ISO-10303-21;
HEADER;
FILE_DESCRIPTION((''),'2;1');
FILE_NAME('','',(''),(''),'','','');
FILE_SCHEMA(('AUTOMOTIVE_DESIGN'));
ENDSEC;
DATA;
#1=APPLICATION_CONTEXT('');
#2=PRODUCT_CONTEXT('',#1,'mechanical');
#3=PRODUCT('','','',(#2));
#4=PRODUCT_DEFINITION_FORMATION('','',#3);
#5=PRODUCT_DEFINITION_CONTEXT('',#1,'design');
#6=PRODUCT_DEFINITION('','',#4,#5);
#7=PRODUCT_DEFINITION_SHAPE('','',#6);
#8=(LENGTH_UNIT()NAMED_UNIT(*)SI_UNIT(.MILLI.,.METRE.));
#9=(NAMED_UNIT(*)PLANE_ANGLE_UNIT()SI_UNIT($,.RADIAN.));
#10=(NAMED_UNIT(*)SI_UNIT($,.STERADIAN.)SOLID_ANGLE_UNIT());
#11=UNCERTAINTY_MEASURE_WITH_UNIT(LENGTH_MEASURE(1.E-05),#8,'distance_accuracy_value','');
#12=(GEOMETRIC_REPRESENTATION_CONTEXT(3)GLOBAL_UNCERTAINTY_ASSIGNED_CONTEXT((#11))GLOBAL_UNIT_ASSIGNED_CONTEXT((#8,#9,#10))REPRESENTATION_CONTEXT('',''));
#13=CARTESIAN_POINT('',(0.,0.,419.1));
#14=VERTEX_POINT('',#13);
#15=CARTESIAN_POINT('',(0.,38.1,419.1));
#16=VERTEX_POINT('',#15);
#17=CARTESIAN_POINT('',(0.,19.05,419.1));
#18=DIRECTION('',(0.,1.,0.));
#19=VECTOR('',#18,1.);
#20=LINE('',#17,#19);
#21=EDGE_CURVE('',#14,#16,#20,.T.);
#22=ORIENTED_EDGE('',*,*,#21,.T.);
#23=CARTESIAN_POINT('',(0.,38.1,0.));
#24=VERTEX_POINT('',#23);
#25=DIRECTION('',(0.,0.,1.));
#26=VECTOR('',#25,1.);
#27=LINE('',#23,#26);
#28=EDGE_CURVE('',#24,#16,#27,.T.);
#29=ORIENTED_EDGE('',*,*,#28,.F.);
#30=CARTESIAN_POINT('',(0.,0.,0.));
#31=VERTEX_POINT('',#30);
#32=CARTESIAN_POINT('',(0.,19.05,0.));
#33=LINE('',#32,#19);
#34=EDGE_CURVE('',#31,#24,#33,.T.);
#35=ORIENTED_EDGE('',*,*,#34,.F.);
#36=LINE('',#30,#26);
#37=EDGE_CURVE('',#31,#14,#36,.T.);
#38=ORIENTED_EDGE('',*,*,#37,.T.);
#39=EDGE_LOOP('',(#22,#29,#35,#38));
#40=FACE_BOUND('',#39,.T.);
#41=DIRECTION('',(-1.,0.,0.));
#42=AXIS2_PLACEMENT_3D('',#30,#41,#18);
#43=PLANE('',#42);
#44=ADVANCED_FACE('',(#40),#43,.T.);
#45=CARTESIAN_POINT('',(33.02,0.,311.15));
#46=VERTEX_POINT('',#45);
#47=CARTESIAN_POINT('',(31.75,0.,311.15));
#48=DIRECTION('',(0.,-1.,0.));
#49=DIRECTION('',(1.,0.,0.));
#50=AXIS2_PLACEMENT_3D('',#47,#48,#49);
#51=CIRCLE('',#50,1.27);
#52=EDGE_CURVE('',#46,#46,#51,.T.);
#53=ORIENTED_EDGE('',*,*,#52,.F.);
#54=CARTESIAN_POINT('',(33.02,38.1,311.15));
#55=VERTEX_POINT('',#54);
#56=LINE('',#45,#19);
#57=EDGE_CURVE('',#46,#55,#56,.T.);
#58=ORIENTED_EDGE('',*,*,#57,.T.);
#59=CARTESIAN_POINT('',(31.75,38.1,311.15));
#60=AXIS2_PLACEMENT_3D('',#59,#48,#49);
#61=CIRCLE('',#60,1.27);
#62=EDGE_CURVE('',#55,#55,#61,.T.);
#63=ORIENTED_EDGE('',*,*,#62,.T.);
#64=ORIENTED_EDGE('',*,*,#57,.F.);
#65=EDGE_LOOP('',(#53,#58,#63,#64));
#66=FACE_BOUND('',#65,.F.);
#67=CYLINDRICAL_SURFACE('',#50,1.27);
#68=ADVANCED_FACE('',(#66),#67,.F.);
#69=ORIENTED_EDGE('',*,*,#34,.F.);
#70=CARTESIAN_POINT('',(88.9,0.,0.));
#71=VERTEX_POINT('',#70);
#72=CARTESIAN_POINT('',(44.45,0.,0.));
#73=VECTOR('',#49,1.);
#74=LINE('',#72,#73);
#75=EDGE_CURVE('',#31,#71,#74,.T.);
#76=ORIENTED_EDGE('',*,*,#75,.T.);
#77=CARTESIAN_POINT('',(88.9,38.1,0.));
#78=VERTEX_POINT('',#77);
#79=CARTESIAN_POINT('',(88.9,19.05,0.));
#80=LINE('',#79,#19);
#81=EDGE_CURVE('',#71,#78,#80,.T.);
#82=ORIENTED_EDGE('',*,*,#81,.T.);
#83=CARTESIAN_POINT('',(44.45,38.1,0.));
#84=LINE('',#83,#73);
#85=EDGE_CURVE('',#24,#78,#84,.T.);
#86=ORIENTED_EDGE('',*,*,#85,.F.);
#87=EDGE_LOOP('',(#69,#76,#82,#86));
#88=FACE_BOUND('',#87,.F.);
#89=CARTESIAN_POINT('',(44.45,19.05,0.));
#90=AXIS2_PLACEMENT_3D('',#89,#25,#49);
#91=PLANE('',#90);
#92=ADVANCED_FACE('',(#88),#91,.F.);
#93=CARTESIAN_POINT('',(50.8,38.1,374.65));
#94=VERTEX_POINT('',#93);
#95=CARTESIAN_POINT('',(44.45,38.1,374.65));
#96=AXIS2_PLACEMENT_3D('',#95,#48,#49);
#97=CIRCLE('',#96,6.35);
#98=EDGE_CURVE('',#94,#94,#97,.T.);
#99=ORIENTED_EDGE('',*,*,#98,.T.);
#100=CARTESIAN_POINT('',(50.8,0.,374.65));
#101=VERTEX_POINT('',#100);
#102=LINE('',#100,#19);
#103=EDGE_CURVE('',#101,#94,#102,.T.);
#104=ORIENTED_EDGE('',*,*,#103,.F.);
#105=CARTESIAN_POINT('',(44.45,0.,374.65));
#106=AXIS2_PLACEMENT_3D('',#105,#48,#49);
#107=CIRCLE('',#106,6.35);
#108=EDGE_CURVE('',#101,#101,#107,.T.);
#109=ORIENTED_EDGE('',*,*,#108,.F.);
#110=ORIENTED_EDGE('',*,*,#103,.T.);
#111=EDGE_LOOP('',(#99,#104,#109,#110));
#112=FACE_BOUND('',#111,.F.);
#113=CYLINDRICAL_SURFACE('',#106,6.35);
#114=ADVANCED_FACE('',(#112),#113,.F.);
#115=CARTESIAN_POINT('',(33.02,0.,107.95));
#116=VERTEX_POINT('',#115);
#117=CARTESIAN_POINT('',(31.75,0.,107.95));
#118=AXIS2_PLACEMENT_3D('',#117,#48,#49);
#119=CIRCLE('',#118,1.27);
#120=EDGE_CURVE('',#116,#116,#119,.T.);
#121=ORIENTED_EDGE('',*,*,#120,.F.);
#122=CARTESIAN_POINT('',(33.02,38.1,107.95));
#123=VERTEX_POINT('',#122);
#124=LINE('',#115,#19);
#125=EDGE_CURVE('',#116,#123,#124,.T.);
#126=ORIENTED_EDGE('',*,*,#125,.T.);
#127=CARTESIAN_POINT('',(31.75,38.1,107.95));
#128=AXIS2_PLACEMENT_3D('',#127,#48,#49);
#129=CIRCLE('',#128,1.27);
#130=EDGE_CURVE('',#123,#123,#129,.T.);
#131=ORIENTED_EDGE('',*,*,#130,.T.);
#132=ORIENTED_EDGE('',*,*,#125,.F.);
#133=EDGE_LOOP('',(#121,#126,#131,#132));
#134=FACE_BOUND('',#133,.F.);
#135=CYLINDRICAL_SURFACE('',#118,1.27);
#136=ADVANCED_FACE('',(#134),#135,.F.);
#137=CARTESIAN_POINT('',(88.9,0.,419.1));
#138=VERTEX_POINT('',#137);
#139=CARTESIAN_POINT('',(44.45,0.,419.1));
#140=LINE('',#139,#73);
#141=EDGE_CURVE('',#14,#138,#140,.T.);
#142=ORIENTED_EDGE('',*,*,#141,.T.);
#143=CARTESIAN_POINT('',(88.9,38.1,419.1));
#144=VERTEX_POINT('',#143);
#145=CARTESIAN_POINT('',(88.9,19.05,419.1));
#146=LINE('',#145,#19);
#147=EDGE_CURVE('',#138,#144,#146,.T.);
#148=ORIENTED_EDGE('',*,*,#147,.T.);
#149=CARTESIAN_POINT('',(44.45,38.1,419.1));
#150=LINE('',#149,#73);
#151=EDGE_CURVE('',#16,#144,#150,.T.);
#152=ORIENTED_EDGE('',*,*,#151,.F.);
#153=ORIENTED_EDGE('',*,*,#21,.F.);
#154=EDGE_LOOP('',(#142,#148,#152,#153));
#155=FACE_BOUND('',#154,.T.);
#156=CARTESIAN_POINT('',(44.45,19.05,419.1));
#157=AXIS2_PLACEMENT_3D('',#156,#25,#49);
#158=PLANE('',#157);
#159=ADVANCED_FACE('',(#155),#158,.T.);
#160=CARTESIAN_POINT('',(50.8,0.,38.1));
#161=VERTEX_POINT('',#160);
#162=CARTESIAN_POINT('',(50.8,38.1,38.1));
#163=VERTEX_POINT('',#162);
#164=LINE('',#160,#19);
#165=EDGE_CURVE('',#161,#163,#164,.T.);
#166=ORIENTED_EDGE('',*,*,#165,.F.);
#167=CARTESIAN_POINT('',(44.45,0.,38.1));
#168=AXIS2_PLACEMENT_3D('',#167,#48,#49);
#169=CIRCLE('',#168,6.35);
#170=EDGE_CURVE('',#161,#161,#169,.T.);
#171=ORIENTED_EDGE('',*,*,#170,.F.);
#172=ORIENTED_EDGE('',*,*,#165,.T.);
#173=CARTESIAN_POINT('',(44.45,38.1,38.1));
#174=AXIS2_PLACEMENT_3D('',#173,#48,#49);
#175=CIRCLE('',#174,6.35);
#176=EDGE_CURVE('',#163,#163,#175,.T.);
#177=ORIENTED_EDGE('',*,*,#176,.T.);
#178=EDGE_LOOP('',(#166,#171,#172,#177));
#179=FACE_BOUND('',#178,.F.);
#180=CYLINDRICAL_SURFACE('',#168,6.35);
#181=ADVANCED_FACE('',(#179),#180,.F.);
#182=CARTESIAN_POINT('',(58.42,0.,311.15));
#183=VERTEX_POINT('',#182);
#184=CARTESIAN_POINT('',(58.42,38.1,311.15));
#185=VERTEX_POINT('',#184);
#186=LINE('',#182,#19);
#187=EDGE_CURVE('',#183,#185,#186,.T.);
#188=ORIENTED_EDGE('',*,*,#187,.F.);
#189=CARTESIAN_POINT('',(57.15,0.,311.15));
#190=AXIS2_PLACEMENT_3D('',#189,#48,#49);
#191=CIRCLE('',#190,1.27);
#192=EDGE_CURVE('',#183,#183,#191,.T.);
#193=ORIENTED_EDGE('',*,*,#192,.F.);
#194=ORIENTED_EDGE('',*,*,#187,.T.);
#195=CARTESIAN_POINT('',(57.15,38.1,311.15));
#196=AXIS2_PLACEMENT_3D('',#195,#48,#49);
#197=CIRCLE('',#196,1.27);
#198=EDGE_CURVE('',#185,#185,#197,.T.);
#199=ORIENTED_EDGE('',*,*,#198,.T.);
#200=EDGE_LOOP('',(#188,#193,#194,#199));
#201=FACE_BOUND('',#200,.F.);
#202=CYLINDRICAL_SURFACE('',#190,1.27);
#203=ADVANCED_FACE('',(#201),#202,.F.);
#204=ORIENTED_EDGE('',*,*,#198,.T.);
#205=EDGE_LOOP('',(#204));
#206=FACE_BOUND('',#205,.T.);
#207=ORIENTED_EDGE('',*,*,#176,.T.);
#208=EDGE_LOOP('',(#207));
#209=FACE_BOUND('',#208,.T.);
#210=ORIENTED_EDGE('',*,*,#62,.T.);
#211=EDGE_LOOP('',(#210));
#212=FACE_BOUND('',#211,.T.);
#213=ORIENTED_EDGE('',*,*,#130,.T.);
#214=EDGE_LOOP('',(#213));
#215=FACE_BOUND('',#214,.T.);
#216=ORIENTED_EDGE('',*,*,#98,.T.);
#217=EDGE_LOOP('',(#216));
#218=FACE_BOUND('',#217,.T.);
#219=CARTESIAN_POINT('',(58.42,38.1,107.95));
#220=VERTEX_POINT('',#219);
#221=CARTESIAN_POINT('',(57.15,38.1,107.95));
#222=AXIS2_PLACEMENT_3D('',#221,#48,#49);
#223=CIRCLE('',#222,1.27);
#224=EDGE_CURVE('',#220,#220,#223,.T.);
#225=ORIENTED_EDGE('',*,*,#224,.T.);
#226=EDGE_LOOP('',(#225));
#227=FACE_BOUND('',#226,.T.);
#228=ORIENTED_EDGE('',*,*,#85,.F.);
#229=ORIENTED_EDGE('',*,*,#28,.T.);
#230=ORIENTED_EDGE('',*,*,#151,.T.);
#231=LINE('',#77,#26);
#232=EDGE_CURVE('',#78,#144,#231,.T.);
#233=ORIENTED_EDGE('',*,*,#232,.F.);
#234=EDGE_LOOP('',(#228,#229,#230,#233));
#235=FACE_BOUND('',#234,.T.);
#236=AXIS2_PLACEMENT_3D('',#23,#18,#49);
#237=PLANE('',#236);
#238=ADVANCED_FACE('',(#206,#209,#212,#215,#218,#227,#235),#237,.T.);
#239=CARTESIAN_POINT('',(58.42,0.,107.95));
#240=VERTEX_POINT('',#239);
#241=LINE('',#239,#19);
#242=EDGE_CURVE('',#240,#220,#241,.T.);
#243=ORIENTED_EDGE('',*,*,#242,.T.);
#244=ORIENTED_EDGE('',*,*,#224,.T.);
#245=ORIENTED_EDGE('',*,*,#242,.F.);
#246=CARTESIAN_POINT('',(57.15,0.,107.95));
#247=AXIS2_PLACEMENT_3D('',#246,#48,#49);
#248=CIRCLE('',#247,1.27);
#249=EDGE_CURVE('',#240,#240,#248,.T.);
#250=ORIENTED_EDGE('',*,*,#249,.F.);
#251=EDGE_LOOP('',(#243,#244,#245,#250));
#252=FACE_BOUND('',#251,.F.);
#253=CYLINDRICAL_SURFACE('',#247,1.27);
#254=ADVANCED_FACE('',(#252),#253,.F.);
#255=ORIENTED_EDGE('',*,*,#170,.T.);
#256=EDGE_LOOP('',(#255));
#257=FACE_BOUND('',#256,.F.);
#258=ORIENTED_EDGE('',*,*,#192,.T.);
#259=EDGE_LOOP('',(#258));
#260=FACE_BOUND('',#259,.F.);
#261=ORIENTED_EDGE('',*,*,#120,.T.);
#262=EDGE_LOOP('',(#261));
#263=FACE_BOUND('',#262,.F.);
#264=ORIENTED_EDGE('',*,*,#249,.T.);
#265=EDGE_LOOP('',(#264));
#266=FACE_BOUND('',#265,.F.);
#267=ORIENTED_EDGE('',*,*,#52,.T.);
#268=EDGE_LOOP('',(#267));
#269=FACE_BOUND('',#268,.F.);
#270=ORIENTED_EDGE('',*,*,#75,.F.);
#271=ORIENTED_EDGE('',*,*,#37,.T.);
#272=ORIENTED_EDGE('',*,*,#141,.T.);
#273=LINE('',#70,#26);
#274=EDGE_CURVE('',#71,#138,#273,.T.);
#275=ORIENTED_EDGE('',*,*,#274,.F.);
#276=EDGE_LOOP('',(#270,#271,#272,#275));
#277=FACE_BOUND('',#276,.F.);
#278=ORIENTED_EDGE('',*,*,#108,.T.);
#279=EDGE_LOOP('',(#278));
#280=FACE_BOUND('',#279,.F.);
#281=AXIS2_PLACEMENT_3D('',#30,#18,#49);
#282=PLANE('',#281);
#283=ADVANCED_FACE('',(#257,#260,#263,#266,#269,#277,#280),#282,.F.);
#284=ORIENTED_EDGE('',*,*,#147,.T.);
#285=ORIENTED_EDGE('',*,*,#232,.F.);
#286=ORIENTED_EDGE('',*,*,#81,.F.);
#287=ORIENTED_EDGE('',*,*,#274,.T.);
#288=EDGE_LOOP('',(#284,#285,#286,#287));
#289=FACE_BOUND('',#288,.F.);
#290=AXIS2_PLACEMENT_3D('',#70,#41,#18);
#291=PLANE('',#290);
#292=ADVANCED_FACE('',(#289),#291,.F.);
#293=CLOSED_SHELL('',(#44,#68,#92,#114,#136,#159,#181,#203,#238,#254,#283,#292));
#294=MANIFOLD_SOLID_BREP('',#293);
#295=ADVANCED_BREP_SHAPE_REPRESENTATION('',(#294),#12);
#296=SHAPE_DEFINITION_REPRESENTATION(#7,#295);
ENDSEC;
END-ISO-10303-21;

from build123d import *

# Parameters (mm, degrees)
SKETCH001_AS_DRAWN_R                 = 6.35
SKETCH001_AS_DRAWN_R_2               = 1.27
EXTRUDE001_DEPTH                     = 76.2
EXTRUDE001_ONTO_SKETCH001_ROLL_ANGLE = 90
SKETCH_W                             = 88.9
SKETCH_H                             = 38.1
EXTRUDE_DEPTH                        = 419.1


with BuildPart() as extrude001:
    # Sketch001 as drawn → Extrude001 (new)
    with BuildSketch(Plane.XY):
        with Locations((44.45, 374.65)):
            Circle(SKETCH001_AS_DRAWN_R)
        with Locations((44.45, 38.1)):
            Circle(SKETCH001_AS_DRAWN_R)
        with Locations((31.75, 311.15)):
            Circle(SKETCH001_AS_DRAWN_R_2)
        with Locations((57.15, 311.15)):
            Circle(SKETCH001_AS_DRAWN_R_2)
        with Locations((31.75, 107.95)):
            Circle(SKETCH001_AS_DRAWN_R_2)
        with Locations((57.15, 107.95)):
            Circle(SKETCH001_AS_DRAWN_R_2)
    extrude(amount=-EXTRUDE001_DEPTH)


with BuildPart() as extrude001_1:
    # Extrude001 onto Sketch001 roll: moved
    add(extrude001.part.rotate(Axis((0, 0, 0), (1, 0, 0)), EXTRUDE001_ONTO_SKETCH001_ROLL_ANGLE))


with BuildPart() as extrude001_2:
    # Extrude001 onto Sketch001 placement: moved
    add(extrude001_1.part)


with BuildPart() as cut:
    # Sketch → Extrude (new body)
    with BuildSketch(Plane.XY):
        with Locations((44.45, 19.05)):
            Rectangle(SKETCH_W, SKETCH_H)
    extrude(amount=EXTRUDE_DEPTH)

    # Cut: cut Extrude001
    add(extrude001_2.part, mode=Mode.SUBTRACT)


solid = cut.part
